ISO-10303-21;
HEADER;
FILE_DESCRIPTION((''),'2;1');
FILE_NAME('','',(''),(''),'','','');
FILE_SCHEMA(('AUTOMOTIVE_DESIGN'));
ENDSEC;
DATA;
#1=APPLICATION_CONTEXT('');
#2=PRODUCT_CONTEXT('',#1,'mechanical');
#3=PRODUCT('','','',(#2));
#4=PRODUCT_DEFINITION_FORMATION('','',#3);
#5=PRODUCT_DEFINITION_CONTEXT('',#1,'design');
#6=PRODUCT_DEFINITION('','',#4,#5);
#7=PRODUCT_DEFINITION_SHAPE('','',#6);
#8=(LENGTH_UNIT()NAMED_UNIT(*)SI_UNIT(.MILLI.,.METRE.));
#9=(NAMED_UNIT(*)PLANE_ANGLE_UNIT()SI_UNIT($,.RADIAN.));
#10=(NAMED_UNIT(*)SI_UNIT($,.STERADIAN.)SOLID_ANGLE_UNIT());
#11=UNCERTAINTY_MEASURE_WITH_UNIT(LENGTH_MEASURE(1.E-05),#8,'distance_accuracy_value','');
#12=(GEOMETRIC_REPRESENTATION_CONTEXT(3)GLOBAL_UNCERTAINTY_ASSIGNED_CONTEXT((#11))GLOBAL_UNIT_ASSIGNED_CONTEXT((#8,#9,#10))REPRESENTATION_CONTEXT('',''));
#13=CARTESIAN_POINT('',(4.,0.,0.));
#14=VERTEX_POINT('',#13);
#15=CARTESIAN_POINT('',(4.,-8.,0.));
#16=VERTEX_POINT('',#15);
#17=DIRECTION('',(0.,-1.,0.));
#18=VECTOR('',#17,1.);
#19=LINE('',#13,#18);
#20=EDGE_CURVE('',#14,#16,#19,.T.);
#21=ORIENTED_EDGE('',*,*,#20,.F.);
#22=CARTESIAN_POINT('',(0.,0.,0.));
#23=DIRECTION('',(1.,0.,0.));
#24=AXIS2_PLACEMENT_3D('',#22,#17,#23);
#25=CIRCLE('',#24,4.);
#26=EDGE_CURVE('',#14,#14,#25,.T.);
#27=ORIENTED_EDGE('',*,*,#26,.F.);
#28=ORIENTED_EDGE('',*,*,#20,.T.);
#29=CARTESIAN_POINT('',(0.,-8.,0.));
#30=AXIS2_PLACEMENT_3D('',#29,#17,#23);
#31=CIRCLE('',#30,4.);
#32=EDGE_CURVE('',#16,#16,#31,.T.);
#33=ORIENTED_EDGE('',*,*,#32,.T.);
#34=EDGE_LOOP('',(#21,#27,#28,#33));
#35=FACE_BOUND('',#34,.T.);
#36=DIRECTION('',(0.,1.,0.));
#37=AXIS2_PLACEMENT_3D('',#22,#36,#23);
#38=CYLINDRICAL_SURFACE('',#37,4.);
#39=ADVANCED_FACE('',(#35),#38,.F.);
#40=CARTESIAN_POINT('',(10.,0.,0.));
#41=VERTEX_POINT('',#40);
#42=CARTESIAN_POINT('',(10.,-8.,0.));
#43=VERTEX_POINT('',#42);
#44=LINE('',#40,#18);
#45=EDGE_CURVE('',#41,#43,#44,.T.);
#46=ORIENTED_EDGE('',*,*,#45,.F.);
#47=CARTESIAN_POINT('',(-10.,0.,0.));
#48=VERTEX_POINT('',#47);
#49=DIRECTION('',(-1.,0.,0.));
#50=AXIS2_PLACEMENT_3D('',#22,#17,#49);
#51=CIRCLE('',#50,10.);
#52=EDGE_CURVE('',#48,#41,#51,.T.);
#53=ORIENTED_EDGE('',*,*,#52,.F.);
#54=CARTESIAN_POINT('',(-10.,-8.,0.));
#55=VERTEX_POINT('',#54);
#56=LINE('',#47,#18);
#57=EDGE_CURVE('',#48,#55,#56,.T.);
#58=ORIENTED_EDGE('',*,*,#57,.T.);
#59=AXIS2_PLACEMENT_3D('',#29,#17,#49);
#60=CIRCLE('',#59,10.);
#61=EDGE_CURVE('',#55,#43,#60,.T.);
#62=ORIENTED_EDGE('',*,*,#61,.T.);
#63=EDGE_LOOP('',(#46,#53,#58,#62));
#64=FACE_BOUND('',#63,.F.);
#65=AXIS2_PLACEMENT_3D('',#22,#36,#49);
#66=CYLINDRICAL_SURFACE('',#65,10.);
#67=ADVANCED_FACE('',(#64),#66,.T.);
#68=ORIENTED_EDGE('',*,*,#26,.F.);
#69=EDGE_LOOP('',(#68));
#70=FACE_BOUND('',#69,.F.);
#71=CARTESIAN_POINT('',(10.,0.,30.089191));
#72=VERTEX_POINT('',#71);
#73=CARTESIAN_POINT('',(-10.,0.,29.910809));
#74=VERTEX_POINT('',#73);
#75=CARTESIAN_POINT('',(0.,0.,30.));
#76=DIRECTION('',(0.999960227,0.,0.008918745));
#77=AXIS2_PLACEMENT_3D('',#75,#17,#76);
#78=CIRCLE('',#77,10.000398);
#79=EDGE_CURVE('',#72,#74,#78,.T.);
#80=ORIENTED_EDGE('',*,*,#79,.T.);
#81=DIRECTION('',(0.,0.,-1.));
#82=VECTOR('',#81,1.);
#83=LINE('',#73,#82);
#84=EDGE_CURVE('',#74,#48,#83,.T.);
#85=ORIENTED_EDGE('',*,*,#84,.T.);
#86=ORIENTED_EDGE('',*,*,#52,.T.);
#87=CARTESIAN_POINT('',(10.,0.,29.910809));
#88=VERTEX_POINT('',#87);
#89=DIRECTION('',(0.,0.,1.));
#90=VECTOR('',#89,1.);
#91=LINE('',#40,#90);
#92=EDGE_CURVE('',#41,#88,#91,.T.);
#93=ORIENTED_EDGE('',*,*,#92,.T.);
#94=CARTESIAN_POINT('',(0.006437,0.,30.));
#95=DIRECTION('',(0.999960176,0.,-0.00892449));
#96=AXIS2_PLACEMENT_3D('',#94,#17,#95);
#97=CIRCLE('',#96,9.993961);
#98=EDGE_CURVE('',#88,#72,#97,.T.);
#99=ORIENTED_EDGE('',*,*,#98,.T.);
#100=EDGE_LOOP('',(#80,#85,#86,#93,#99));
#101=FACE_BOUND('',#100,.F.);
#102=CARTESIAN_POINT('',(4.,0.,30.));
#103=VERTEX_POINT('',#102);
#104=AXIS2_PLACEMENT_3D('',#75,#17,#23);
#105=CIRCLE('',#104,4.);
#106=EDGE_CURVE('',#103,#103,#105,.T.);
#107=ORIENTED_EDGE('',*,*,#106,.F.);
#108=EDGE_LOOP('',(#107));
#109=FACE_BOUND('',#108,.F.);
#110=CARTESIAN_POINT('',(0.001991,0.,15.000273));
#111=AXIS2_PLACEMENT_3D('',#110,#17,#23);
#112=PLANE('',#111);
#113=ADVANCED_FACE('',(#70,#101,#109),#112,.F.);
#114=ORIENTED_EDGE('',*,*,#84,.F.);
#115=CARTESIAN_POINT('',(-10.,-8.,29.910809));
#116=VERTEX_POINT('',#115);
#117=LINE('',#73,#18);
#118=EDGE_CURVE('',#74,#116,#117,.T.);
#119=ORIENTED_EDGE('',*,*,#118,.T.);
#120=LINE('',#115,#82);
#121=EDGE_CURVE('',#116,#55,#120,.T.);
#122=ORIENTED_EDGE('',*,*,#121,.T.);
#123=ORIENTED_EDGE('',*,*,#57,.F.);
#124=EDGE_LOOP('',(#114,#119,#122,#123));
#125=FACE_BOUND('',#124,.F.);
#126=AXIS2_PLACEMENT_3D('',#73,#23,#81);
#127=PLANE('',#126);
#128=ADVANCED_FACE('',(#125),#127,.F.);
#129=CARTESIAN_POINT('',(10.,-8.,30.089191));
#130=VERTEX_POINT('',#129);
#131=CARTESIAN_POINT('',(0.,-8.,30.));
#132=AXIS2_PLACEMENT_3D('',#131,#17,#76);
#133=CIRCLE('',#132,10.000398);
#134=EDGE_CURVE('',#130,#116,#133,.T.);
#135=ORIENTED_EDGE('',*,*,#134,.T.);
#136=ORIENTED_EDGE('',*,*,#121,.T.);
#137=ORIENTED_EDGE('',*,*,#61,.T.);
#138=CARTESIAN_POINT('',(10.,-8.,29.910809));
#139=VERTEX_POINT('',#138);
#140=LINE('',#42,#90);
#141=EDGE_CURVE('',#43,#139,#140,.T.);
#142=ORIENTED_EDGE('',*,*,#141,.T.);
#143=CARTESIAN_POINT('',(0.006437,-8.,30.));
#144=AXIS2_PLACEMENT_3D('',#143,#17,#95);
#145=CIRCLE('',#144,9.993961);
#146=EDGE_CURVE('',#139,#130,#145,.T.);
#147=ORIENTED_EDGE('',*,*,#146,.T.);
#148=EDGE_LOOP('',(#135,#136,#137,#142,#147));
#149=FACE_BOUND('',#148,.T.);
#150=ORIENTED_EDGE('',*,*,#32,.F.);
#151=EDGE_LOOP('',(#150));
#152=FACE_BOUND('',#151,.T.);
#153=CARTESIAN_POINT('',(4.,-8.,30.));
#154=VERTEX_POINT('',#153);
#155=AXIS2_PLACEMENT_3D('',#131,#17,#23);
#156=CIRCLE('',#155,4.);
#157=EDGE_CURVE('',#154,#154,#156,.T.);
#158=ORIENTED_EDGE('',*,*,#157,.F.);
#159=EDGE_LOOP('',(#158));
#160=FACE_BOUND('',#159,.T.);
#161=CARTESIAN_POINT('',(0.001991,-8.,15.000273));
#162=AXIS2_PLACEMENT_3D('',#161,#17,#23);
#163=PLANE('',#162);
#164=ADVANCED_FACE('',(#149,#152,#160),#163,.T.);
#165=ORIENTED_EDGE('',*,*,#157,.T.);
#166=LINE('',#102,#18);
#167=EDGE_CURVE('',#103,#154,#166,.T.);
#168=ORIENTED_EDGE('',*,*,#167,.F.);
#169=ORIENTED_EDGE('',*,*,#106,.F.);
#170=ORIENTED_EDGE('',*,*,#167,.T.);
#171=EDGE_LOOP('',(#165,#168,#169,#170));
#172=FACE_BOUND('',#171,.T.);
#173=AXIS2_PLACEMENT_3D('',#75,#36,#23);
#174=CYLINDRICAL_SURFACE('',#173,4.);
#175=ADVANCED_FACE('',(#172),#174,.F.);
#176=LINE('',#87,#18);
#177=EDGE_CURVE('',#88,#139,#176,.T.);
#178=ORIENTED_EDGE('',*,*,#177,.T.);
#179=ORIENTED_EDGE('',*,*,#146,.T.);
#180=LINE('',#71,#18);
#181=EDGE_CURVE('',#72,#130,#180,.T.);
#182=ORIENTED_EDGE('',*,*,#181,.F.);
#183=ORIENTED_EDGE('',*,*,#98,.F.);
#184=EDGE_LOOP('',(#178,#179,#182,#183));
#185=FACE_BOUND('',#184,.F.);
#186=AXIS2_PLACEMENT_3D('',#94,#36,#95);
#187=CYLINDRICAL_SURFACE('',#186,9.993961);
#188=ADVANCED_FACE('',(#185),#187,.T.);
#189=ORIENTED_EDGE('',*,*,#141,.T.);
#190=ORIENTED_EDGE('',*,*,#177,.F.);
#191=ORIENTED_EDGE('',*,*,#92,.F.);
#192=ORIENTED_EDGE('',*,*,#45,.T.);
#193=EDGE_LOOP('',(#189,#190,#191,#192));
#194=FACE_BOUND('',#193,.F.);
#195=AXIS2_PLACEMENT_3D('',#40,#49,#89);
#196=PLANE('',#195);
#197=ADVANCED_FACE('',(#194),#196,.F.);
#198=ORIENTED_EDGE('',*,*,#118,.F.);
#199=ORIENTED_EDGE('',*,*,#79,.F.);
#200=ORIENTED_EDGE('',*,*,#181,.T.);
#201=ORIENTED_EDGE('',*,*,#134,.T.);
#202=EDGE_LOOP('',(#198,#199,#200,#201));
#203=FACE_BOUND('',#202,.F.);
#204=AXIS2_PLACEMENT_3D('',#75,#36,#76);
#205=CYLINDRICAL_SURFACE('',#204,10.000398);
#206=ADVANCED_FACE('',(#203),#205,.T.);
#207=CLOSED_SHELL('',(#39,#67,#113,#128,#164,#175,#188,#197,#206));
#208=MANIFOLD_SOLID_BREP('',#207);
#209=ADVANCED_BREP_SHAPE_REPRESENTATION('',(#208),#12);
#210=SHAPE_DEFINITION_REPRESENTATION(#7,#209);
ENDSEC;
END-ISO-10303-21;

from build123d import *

# Parameters (mm, degrees)
F0_R     = 4
F1_DEPTH = 8


with BuildPart() as f1:
    # F0 (on Front) → F1 (new body)
    with BuildSketch(Plane.XZ):
        with BuildLine():
            Line((-10, 29.910809), (-10, 0))
            ThreePointArc((-10, 0), (0, -10), (10, 0))
            Line((10, 0), (10, 29.910809))
            Line((10, 29.910809), (10, 30.089191))
            ThreePointArc((10, 30.089191), (-0.089191, 40), (-10, 29.910809))
        make_face()
        Circle(F0_R, mode=Mode.SUBTRACT)
        with Locations((0, 30)):
            Circle(F0_R, mode=Mode.SUBTRACT)
        with BuildLine():
            Line((10, 30.089191), (10, 29.910809))
            ThreePointArc((10, 29.910809), (10.000398, 30), (10, 30.089191))
        make_face()
    extrude(amount=F1_DEPTH)


solid = f1.part
